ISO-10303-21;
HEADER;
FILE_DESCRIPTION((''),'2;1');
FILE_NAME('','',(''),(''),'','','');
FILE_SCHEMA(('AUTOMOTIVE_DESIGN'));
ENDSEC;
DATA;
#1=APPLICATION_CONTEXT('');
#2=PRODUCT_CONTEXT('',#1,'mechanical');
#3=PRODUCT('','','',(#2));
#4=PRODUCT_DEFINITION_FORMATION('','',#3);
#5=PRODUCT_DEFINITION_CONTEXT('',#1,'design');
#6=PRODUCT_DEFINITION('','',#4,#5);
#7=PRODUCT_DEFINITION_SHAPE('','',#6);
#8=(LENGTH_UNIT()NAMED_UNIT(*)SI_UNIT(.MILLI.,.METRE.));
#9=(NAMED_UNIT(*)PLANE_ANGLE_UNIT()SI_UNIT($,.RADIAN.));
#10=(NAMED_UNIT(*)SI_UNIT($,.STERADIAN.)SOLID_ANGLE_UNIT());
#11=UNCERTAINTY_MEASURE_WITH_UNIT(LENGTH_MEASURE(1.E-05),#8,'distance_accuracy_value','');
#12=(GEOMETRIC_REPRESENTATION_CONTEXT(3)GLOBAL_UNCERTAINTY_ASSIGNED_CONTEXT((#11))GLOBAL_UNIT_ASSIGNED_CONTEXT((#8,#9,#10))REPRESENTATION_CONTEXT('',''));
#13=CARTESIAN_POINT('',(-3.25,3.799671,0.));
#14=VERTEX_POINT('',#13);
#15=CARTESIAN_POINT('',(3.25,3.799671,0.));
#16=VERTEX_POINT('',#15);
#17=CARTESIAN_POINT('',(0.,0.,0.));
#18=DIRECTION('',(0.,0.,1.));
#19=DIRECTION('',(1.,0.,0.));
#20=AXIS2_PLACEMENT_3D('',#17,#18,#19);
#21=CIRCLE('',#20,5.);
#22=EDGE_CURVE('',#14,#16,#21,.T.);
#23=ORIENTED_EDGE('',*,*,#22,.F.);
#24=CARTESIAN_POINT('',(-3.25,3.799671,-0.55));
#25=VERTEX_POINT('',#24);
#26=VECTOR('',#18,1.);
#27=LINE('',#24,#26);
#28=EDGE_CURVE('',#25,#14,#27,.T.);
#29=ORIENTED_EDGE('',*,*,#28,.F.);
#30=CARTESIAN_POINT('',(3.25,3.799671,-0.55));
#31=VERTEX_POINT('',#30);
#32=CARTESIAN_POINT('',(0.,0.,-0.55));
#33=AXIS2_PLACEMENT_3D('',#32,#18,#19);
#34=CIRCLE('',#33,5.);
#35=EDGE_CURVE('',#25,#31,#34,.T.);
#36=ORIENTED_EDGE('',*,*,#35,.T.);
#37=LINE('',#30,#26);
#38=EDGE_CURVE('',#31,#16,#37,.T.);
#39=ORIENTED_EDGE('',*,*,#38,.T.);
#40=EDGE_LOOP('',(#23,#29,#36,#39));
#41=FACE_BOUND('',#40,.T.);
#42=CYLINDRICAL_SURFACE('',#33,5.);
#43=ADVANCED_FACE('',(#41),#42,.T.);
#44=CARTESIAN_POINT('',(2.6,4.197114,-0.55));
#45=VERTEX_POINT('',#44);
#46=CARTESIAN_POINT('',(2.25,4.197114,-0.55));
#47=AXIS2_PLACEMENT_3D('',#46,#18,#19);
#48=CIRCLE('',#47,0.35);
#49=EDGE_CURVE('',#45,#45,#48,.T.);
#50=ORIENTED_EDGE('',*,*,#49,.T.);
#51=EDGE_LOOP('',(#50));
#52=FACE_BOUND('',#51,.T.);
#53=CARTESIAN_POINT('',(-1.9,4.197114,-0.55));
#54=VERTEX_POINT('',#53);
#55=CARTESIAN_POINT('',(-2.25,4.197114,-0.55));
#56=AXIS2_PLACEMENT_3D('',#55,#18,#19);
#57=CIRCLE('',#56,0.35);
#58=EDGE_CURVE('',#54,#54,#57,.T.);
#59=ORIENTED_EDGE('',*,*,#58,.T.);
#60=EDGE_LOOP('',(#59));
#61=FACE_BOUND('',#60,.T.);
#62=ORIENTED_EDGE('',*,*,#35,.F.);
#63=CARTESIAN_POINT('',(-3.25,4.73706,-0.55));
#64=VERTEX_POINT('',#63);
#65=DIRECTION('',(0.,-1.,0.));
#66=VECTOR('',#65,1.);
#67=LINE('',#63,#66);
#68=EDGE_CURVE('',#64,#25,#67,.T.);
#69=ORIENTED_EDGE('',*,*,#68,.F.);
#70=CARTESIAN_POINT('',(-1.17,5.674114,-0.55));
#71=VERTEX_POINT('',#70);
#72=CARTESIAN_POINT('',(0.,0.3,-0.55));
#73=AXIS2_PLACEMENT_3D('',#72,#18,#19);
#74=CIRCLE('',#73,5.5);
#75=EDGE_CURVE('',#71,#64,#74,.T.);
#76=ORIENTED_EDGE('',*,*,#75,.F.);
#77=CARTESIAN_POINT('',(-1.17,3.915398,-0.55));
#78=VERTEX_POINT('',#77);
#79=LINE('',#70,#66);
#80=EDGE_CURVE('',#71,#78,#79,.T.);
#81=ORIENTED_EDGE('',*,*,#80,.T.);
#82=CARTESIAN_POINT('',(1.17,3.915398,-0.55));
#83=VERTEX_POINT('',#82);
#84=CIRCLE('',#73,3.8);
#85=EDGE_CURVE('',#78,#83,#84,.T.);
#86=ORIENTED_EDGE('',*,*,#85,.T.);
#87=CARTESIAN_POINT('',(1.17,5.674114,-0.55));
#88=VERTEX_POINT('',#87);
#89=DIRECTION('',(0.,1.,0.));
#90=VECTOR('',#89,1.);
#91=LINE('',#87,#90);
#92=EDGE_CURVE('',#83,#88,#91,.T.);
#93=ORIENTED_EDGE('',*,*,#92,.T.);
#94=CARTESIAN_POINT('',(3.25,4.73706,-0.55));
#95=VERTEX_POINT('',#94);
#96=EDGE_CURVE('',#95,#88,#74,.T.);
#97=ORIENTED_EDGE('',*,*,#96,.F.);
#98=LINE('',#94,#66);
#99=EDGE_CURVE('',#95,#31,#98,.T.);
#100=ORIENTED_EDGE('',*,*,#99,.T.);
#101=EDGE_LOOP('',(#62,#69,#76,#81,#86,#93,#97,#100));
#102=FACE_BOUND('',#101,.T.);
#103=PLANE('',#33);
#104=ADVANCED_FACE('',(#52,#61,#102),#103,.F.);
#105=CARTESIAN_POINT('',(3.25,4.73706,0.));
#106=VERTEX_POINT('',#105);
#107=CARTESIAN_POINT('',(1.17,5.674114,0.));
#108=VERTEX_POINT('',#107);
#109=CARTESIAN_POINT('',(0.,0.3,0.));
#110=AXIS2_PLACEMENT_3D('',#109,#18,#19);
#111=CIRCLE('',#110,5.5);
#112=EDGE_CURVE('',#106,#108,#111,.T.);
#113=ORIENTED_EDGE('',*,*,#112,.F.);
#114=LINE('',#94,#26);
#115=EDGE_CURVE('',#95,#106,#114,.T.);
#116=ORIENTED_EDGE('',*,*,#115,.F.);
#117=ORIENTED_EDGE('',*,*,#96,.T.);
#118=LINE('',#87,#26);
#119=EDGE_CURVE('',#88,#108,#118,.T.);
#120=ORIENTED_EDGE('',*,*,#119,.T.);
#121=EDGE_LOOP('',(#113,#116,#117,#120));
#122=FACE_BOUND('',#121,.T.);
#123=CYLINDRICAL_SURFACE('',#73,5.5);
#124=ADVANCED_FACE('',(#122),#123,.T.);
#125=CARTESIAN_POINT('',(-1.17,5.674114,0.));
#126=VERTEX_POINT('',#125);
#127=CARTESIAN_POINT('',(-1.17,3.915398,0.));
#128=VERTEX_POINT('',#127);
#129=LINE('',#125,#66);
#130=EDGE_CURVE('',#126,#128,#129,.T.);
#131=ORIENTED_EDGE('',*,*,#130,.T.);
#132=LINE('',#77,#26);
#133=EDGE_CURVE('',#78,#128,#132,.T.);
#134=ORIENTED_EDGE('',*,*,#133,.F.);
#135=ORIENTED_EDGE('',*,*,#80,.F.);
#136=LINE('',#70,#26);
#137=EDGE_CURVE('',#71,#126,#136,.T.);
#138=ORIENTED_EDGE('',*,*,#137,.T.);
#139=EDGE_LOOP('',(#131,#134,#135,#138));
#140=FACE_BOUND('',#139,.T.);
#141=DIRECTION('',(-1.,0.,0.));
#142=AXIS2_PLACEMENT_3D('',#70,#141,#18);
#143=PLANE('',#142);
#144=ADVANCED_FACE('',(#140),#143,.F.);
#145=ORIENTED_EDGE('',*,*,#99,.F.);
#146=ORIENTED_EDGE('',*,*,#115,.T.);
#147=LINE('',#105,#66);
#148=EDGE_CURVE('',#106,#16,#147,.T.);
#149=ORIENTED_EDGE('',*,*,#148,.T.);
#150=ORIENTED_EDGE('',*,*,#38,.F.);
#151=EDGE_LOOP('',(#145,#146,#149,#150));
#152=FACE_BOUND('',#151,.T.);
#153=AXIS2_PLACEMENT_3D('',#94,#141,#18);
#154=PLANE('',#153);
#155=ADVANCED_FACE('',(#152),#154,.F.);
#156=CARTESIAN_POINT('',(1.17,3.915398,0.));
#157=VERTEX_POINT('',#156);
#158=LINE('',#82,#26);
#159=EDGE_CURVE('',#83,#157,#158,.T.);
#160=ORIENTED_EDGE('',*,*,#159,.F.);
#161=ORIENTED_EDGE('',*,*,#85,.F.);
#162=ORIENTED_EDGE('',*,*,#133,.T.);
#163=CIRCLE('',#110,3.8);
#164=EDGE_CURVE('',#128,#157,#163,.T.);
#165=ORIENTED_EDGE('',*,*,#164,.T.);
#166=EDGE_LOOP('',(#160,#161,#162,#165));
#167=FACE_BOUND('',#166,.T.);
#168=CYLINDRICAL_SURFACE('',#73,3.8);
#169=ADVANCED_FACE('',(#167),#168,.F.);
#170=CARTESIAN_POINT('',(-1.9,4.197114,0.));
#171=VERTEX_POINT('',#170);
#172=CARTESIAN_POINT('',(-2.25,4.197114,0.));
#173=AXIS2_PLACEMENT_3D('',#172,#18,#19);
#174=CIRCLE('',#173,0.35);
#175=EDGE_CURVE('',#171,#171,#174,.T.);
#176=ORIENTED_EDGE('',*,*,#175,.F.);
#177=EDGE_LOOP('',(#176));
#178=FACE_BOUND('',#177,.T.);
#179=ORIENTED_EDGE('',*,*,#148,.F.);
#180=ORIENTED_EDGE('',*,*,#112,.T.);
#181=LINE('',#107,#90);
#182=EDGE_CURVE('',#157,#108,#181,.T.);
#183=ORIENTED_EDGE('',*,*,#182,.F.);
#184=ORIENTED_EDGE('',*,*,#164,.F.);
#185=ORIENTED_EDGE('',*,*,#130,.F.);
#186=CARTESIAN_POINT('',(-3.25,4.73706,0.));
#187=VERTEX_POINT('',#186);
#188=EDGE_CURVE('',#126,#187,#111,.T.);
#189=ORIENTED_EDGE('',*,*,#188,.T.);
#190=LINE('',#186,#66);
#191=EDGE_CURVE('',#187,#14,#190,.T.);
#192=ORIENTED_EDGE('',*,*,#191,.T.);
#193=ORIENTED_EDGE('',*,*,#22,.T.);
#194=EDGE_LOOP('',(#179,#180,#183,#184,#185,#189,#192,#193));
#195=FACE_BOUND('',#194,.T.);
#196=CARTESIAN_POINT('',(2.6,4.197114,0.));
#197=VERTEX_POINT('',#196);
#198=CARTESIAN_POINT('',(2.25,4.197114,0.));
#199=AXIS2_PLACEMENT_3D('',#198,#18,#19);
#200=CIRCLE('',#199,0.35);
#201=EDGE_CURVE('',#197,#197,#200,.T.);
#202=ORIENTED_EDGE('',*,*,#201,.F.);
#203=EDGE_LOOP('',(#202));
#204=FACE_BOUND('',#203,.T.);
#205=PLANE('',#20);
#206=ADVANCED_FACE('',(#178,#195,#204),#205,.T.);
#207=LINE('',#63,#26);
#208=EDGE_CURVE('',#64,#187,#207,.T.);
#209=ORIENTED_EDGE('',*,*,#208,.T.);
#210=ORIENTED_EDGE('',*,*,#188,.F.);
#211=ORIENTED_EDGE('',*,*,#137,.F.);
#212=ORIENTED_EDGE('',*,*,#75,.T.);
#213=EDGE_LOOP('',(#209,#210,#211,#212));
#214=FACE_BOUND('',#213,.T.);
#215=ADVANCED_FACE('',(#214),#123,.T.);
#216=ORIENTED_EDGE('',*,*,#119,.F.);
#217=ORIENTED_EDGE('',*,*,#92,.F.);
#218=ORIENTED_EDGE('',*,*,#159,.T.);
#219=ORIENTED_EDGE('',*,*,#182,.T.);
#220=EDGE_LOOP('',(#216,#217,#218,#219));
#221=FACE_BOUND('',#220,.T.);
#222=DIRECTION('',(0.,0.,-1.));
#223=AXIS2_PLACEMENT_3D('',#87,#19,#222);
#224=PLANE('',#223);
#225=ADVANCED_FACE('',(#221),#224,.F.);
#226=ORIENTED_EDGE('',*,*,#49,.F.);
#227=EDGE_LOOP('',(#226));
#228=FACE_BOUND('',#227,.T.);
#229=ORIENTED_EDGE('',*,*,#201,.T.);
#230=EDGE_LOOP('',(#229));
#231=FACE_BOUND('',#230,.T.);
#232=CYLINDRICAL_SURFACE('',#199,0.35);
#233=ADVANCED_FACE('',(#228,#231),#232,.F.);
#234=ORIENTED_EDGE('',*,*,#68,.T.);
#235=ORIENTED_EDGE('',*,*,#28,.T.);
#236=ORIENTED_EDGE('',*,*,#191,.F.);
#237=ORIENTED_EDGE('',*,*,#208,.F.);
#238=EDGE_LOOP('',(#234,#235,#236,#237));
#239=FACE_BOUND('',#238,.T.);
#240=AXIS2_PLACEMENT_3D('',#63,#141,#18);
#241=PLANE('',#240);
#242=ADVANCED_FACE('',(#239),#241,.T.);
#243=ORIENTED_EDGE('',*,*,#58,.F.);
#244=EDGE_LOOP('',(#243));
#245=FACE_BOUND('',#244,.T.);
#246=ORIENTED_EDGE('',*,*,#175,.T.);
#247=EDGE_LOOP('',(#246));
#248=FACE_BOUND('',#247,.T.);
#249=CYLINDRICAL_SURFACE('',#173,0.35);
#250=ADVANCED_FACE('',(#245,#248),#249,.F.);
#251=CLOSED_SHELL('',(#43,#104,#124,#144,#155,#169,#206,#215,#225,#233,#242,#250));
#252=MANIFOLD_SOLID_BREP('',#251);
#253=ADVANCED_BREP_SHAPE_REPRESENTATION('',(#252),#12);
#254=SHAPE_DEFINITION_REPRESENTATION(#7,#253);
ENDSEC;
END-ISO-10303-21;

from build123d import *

# Parameters (mm, degrees)
BOSS_EXTRUDE1_DEPTH            = 0.55
SKETCH2_R                      = 3.8
CUT_EXTRUDE1_DEPTH             = 1.55
CUT_EXTRUDE2_DEPTH             = 1.55
F_0_7_0_7_DIAMETER_HOLE1_D     = 0.7
F_0_7_0_7_DIAMETER_HOLE1_DEPTH = 0.55


with BuildPart() as part:
    # Sketch1 → Boss-Extrude1 (new body)
    with BuildSketch(Plane.XY):
        with BuildLine():
            Line((-3.25, 4.737059837), (-3.25, 3.799671038))
            ThreePointArc((-3.25, 3.799671038), (0, -5), (3.25, 3.799671038))
            Line((3.25, 3.799671038), (3.25, 4.737059837))
            ThreePointArc((3.25, 4.737059837), (0, 5.8), (-3.25, 4.737059837))
        make_face()
    extrude(amount=-BOSS_EXTRUDE1_DEPTH)

    # Sketch2 → Cut-Extrude1 (cut, through all)
    with BuildSketch(Plane.XY):
        with Locations((0, 0.3)):
            Circle(SKETCH2_R)
    extrude(amount=-CUT_EXTRUDE1_DEPTH, mode=Mode.SUBTRACT)

    # Sketch3 → Cut-Extrude2 (cut, through all)
    with BuildSketch(Plane.XY):
        with BuildLine():
            Line((-1.17, 5.67411388), (-1.17, 3.915397627))
            ThreePointArc((-1.17, 3.915397627), (0, 4.1), (1.17, 3.915397627))
            Line((1.17, 3.915397627), (1.17, 5.67411388))
            ThreePointArc((1.17, 5.67411388), (0, 5.8), (-1.17, 5.67411388))
        make_face()
    extrude(amount=-CUT_EXTRUDE2_DEPTH, mode=Mode.SUBTRACT)

    # Ø0.7 (0.7) Diameter Hole1
    with Locations(Plane.XY):
        with Locations((-2.25, 4.197114317), (2.25, 4.197114317)):
            Hole(F_0_7_0_7_DIAMETER_HOLE1_D / 2, depth=F_0_7_0_7_DIAMETER_HOLE1_DEPTH)


solid = part.part
